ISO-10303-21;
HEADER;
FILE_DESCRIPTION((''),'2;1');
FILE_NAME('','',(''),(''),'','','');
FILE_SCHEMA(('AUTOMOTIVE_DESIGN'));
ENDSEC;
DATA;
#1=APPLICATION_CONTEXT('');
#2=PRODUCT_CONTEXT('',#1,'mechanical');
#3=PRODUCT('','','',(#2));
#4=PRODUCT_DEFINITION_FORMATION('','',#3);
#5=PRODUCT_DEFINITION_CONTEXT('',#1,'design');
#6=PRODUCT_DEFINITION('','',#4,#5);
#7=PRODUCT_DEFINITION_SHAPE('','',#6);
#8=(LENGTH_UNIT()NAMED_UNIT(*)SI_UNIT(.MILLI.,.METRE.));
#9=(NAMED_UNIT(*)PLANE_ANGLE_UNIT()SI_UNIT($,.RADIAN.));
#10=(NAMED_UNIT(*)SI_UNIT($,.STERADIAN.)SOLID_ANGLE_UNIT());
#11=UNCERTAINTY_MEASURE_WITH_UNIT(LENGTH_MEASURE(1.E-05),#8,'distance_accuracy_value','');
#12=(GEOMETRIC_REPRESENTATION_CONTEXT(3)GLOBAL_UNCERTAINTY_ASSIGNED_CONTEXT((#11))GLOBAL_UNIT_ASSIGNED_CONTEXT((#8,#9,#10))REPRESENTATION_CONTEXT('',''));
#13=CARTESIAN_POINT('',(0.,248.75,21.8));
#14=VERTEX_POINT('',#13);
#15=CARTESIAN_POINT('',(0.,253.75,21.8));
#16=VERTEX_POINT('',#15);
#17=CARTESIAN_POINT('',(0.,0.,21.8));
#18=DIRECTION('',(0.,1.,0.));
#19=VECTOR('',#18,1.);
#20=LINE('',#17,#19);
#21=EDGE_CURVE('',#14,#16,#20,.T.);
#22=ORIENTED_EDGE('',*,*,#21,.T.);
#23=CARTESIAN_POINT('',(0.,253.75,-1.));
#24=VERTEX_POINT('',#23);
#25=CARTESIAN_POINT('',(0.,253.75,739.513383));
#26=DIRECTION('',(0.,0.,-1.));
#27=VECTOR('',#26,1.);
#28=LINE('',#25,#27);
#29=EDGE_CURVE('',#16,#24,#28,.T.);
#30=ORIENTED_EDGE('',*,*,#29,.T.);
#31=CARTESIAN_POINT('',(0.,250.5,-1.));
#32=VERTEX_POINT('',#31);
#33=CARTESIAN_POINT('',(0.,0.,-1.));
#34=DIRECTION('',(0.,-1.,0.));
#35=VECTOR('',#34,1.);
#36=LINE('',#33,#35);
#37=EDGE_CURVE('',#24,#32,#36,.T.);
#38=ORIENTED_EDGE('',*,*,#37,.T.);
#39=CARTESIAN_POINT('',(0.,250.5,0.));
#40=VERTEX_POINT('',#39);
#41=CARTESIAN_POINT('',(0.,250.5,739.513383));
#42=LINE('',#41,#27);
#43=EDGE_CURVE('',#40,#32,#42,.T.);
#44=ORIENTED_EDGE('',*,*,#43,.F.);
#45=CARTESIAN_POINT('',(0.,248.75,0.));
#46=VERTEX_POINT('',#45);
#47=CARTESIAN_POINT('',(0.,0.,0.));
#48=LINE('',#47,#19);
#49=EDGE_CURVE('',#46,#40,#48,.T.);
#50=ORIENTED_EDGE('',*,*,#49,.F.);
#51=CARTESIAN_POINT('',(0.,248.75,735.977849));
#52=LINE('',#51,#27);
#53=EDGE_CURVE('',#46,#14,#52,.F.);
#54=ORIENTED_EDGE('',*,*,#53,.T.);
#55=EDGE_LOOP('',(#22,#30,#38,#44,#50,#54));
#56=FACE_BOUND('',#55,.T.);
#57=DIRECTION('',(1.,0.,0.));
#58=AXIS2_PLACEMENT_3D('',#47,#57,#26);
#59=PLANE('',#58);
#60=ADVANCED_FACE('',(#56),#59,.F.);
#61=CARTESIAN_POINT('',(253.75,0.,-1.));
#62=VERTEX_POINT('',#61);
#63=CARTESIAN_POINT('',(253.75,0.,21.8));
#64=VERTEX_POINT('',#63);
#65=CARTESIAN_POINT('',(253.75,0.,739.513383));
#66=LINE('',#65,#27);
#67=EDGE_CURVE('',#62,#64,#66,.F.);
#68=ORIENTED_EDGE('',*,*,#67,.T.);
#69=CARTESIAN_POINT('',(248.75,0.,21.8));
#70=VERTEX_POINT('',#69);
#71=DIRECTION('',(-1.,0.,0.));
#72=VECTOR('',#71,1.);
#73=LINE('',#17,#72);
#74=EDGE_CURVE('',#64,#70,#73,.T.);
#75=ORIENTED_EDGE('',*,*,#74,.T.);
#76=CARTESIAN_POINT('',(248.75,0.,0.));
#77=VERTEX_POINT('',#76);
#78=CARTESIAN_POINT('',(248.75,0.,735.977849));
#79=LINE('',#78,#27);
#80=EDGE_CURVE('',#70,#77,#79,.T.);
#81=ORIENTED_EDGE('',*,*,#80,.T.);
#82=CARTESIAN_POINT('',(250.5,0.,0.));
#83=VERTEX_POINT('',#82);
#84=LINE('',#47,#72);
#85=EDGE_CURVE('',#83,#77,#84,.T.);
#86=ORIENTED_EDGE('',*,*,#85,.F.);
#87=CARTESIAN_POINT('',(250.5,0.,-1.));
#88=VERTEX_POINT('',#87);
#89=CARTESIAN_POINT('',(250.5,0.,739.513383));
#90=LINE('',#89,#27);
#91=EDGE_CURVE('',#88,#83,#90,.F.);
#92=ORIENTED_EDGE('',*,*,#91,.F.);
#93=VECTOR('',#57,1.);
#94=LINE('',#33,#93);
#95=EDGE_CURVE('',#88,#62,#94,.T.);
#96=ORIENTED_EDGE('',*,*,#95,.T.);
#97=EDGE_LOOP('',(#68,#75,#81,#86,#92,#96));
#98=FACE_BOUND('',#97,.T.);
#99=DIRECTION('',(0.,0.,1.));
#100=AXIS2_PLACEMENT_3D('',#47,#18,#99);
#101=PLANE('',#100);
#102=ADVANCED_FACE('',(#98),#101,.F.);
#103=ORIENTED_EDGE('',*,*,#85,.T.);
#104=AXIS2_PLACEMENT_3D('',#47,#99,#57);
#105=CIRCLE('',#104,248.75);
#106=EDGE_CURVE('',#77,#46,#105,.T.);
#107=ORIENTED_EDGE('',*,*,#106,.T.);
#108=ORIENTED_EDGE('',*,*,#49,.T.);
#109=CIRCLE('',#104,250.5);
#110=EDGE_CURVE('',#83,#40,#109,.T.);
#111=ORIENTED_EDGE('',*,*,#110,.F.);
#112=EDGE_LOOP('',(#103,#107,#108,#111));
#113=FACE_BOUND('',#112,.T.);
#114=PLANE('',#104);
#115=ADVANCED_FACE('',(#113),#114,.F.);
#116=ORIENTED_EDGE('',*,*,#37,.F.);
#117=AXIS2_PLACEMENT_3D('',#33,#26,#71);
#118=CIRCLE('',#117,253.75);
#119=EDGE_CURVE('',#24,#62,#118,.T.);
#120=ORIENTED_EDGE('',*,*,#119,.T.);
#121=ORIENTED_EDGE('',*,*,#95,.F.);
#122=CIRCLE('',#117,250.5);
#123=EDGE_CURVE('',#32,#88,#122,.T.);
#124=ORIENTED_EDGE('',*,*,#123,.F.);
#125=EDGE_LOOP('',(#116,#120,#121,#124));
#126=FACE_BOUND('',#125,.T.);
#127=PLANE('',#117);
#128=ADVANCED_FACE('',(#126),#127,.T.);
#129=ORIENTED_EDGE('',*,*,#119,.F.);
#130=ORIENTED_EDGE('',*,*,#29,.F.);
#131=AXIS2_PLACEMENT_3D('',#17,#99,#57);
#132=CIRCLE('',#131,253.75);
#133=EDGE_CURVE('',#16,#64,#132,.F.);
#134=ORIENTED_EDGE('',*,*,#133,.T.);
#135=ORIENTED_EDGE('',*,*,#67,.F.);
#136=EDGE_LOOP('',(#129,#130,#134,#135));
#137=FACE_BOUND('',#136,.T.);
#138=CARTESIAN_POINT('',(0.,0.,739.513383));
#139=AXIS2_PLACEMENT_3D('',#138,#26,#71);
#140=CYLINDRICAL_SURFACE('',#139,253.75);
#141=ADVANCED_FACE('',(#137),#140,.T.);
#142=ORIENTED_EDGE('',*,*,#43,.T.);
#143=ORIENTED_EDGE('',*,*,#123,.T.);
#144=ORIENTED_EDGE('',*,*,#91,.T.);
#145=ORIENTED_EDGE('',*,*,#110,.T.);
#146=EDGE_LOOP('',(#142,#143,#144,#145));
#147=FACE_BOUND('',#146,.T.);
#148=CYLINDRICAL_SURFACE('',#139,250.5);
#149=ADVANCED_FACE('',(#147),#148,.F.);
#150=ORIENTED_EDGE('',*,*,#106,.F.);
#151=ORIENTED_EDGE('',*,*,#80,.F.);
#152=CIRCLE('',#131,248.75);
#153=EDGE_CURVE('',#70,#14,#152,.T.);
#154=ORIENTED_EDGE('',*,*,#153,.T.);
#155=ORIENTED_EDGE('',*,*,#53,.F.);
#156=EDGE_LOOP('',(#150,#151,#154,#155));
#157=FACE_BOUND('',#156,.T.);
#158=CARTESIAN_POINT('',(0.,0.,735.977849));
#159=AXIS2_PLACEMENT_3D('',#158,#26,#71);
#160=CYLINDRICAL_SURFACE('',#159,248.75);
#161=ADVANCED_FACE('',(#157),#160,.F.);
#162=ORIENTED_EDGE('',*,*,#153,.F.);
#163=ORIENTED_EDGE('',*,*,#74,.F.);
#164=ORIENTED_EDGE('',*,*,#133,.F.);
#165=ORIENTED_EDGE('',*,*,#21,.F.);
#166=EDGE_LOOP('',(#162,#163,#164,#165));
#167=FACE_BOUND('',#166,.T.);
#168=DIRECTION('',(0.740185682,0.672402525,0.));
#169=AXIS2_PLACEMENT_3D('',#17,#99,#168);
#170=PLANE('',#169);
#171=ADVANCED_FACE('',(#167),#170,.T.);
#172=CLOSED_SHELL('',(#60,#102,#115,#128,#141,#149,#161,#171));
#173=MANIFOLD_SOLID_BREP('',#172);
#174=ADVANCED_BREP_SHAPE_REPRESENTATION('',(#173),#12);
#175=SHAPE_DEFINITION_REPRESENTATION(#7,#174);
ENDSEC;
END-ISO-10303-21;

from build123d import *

# Parameters (mm, degrees)
SKETCH1_R                       = 252.5
SKETCH1_R_2                     = 248.75
BOSS_EXTRUDE1_DEPTH             = 21.8
SKETCH2_R                       = 253.75
SKETCH2_R_2                     = 250.5
BOSS_EXTRUDE2_DEPTH             = 1
BOSS_EXTRUDE2_DIRECTION_2_REACH = 359.754


with BuildPart() as part:
    # Sketch1 → Boss-Extrude1 (new body)
    with BuildSketch(Plane.XY):
        Circle(SKETCH1_R)
        Circle(SKETCH1_R_2, mode=Mode.SUBTRACT)
    extrude(amount=BOSS_EXTRUDE1_DEPTH)

    # Sketch2 → Boss-Extrude2 (add)
    with BuildSketch(Plane(origin=(0, 0, 0), x_dir=(-1, 0, 0), z_dir=(0, 0, -1))):
        Circle(SKETCH2_R)
        Circle(SKETCH2_R_2, mode=Mode.SUBTRACT)
    extrude(amount=BOSS_EXTRUDE2_DEPTH)

    # Boss-Extrude2 direction 2: up to this face of the body (flat: up to its plane)
    boss_extrude2_direction_2_end = Plane(part.part.faces().sort_by_distance((-251.785822151, 0, 21.8))[0])
    # Sketch2 → Boss-Extrude2 direction 2 (add, up to the picked face)
    with BuildSketch(Plane(origin=(0, 0, 0), x_dir=(-1, 0, 0), z_dir=(0, 0, -1)), mode=Mode.PRIVATE) as boss_extrude2_direction_2_sk1:
        Circle(SKETCH2_R)
        Circle(SKETCH2_R_2, mode=Mode.SUBTRACT)
    boss_extrude2_direction_2_tool1 = split(extrude(boss_extrude2_direction_2_sk1.sketch, amount=-BOSS_EXTRUDE2_DIRECTION_2_REACH, mode=Mode.PRIVATE), bisect_by=boss_extrude2_direction_2_end, keep=Keep.BOTH, mode=Mode.PRIVATE)
    add(boss_extrude2_direction_2_tool1.solids().sort_by(Axis((253.032287, 0, 0), (0, 0, 1)))[0])

    # SurfaceCut1
    split(bisect_by=Plane(origin=(0, 0, 0), x_dir=(1, 0, 0), z_dir=(0, 1, 0)), keep=Keep.TOP)

    # SurfaceCut2
    split(bisect_by=Plane(origin=(0, 0, 0), x_dir=(0, 0, -1), z_dir=(1, 0, 0)), keep=Keep.TOP)


solid = part.part
